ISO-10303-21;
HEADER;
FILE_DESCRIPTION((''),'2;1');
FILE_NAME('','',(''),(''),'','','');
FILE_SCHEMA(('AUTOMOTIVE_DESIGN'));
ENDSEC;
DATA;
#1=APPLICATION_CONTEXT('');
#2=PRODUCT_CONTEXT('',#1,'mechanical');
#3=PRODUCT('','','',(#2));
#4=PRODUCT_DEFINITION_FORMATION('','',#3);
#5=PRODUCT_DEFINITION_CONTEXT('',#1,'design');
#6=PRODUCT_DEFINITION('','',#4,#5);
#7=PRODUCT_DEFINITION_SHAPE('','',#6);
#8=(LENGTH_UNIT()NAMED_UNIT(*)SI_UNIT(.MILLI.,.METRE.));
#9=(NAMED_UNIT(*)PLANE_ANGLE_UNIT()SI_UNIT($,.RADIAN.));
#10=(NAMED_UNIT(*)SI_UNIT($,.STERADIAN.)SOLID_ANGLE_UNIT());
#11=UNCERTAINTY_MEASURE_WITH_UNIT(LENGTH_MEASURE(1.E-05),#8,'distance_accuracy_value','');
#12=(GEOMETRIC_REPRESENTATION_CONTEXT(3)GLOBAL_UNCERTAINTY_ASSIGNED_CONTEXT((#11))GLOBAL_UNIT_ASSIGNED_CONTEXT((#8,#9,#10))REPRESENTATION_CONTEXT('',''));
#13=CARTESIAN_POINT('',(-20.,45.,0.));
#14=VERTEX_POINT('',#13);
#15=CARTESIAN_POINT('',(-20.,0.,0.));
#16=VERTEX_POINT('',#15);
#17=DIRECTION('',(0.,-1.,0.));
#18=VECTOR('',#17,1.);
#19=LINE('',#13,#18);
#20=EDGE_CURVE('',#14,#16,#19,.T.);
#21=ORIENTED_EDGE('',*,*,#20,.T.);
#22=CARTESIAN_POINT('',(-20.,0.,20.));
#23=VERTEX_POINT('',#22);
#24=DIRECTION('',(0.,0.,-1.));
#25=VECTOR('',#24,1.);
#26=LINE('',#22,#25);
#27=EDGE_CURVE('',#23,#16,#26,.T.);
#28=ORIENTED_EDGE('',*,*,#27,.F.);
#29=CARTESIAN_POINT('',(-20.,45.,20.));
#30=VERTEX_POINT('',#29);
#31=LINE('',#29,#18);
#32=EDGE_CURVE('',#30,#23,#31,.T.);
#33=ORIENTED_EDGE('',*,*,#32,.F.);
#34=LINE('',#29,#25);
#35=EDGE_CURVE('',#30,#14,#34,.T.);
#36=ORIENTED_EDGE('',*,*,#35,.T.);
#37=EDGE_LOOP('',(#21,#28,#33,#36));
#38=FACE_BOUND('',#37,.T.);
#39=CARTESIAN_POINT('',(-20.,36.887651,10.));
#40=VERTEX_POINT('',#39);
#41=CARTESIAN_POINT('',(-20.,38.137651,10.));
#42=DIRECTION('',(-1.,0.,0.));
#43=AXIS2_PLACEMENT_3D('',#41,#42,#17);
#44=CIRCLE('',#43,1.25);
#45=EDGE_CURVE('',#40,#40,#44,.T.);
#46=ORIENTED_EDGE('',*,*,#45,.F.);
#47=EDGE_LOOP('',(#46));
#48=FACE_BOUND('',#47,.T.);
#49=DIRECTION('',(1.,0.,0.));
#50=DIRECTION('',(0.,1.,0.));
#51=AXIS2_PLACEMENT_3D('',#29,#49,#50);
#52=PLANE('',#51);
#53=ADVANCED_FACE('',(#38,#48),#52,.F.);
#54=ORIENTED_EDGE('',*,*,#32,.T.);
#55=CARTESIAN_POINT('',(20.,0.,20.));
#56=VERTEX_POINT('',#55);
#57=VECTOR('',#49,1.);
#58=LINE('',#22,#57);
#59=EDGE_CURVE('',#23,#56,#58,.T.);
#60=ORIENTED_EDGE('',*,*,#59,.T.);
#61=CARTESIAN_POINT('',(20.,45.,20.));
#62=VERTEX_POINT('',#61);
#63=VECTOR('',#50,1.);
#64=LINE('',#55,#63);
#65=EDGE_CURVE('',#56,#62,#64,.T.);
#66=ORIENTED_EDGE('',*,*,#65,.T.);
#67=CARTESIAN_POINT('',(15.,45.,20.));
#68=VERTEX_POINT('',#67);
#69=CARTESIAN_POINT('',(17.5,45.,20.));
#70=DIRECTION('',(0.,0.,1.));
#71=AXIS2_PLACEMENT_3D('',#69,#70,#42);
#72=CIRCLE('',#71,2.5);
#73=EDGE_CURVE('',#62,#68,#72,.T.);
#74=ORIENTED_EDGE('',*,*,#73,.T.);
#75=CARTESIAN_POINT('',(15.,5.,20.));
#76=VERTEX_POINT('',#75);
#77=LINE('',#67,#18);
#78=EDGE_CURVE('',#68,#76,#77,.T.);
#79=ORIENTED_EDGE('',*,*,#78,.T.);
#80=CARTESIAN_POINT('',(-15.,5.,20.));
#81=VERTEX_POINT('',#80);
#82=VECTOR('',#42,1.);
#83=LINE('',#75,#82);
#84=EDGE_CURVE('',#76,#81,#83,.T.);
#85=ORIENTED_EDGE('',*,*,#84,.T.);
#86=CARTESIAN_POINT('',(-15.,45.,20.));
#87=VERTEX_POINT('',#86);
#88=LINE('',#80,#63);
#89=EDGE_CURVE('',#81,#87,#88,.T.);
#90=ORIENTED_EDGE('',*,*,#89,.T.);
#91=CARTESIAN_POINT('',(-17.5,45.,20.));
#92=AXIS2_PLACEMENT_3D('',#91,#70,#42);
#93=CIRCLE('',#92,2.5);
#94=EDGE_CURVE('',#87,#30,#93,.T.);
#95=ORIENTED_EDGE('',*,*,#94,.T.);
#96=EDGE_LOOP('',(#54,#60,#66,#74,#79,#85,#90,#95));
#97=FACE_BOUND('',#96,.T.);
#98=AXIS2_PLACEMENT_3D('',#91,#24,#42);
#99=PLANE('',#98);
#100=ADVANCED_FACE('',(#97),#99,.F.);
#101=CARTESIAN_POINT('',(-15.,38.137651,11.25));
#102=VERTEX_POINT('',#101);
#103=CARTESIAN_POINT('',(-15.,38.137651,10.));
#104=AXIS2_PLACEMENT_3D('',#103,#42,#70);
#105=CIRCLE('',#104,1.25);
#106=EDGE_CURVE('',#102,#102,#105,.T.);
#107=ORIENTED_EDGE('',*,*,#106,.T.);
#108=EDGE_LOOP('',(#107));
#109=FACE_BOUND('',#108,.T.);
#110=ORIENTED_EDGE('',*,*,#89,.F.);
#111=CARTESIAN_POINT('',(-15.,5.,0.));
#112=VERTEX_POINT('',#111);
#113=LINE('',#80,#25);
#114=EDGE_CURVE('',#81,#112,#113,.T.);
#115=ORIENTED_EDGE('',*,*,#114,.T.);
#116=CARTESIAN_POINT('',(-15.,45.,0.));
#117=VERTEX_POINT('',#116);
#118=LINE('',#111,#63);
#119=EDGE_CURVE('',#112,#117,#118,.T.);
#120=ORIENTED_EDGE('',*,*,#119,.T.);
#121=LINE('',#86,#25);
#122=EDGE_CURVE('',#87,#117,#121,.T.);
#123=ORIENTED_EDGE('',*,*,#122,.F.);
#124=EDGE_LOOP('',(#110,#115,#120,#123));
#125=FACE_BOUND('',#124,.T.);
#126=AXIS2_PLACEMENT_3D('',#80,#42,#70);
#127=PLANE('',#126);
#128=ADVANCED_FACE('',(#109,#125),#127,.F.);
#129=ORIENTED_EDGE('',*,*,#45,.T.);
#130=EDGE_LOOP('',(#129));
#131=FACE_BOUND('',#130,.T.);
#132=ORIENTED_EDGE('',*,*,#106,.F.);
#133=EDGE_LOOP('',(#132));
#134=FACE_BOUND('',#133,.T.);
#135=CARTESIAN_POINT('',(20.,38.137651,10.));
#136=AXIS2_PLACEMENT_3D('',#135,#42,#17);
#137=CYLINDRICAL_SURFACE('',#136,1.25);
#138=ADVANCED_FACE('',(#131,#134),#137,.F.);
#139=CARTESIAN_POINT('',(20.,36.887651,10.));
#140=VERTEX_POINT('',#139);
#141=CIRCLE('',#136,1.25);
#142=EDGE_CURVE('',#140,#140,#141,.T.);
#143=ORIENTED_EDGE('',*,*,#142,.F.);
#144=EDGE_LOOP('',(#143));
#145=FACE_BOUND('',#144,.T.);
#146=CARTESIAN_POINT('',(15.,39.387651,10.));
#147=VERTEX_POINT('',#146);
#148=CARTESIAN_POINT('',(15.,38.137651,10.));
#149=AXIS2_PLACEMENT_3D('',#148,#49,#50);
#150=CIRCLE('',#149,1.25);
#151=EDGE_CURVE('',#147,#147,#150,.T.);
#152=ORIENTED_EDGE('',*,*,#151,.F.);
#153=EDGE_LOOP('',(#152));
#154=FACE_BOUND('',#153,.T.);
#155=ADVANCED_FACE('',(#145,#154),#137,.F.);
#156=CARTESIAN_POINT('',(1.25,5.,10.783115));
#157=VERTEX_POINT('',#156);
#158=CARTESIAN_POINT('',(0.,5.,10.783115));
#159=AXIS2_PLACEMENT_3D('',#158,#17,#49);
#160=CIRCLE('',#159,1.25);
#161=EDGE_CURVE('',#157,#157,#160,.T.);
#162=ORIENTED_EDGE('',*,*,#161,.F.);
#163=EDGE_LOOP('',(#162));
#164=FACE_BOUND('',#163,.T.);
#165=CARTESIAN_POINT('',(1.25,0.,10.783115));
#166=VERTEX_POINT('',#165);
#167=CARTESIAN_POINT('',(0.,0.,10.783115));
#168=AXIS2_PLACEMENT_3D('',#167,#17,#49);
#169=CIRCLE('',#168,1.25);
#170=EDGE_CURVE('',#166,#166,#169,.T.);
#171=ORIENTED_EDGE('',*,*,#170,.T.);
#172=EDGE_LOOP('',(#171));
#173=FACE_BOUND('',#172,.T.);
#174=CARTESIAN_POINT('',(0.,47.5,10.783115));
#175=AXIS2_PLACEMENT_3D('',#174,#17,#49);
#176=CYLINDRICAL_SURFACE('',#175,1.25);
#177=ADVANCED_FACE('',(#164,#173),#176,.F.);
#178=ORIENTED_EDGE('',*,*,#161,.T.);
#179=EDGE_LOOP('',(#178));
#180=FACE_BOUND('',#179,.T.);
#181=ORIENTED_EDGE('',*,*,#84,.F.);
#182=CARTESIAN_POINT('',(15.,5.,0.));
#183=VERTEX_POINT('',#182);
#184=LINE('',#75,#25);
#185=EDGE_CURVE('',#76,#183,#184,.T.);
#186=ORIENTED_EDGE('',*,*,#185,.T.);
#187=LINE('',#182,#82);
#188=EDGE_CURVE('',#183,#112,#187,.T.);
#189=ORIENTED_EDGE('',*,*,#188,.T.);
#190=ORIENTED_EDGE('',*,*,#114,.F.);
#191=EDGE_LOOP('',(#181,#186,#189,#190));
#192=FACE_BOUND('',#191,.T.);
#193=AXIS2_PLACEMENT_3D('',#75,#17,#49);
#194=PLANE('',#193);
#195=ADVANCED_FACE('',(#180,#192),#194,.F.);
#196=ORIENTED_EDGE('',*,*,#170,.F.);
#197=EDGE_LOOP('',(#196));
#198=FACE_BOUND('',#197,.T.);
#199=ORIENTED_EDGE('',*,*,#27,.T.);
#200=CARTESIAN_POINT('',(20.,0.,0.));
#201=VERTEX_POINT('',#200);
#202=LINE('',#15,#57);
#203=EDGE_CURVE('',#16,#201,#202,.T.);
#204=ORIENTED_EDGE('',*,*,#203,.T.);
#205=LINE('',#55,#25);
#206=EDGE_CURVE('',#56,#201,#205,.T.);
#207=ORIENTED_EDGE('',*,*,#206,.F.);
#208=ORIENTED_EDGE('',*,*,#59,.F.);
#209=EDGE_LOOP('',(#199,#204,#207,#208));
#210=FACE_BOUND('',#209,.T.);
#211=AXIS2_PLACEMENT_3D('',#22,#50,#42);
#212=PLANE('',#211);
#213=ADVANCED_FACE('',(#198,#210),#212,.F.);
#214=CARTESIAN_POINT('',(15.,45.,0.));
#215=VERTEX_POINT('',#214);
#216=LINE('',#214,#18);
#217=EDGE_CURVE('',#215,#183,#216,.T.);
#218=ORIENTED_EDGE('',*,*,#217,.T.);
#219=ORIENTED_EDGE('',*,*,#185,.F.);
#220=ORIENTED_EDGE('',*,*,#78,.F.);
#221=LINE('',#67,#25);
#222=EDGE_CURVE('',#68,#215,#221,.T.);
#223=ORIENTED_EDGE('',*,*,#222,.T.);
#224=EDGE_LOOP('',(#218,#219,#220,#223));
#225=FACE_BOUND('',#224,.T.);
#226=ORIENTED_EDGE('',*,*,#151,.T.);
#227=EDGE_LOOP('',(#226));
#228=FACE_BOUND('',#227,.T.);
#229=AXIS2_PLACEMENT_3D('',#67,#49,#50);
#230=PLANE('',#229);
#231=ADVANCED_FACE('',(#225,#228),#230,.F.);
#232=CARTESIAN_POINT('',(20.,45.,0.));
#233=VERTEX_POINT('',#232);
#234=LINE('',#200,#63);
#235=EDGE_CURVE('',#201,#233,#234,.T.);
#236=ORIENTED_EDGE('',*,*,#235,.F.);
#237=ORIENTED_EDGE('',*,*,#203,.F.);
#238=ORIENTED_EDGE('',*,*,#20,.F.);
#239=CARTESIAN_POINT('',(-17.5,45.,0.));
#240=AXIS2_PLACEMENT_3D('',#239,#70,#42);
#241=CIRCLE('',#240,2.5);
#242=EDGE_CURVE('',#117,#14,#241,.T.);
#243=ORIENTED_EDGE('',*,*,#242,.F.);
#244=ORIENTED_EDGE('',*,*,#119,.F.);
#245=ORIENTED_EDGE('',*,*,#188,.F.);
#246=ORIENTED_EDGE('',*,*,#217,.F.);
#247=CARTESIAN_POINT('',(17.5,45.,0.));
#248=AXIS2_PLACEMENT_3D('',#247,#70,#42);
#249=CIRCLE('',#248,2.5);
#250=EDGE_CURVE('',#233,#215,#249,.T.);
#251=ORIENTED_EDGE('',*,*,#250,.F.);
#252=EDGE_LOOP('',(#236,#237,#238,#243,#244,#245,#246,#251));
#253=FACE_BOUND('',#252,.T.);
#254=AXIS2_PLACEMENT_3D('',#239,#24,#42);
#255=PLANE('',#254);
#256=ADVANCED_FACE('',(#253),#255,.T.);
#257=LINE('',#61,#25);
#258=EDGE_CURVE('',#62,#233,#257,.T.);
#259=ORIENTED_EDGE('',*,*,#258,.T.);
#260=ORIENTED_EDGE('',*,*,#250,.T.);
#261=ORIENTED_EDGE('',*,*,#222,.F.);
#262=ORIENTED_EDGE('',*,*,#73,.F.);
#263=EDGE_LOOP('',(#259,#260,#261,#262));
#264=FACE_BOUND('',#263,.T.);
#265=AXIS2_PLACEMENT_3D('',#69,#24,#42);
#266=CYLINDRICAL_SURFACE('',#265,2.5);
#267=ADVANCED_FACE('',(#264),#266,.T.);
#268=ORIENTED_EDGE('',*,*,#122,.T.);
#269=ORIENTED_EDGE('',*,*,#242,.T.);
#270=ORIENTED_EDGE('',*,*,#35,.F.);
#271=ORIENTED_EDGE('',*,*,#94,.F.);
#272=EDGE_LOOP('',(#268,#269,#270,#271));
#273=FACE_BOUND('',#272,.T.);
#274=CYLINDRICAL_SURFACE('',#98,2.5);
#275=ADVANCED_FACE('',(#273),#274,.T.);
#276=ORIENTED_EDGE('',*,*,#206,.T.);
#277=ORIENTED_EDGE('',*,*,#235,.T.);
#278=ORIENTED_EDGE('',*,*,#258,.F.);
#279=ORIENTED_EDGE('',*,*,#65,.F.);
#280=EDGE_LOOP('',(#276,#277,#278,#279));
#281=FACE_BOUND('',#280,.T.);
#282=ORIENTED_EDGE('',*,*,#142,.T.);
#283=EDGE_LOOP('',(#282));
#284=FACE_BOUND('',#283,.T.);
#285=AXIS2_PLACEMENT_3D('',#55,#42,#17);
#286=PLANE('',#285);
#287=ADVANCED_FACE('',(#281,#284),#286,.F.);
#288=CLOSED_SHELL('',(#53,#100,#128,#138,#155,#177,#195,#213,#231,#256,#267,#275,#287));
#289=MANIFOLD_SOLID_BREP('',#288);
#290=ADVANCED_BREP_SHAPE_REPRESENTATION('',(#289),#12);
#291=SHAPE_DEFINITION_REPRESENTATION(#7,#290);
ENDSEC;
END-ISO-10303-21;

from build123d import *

# Parameters (mm, degrees)
BOSS_EXTRUDE3_DEPTH = 20
SKETCH3_R           = 1.25
CUT_EXTRUDE1_DEPTH  = 66.239941753
SKETCH5_R           = 1.25
CUT_EXTRUDE2_DEPTH  = 56.283360969


with BuildPart() as part:
    # Sketch2 → Boss-Extrude3 (new body)
    with BuildSketch(Plane.XY):
        with BuildLine():
            Line((-20, 0), (20, 0))
            Line((20, 0), (20, 45))
            ThreePointArc((20, 45), (17.5, 47.5), (15, 45))
            Line((15, 45), (15, 5))
            Line((15, 5), (-15, 5))
            Line((-15, 5), (-15, 45))
            ThreePointArc((-15, 45), (-17.5, 47.5), (-20, 45))
            Line((-20, 45), (-20, 0))
        make_face()
    extrude(amount=BOSS_EXTRUDE3_DEPTH)

    # Sketch3 → Cut-Extrude1 (cut, through all)
    with BuildSketch(Plane.ZY.offset(20)):
        with Locations(Location((10, 38.137651085, 0), (0, 0, 270))):
            Circle(SKETCH3_R)
    extrude(amount=-CUT_EXTRUDE1_DEPTH, mode=Mode.SUBTRACT)

    # Sketch5 → Cut-Extrude2 (cut, through all)
    with BuildSketch(Plane.XZ):
        with Locations((0, 10.783115236)):
            Circle(SKETCH5_R)
    extrude(amount=-CUT_EXTRUDE2_DEPTH, mode=Mode.SUBTRACT)


solid = part.part
